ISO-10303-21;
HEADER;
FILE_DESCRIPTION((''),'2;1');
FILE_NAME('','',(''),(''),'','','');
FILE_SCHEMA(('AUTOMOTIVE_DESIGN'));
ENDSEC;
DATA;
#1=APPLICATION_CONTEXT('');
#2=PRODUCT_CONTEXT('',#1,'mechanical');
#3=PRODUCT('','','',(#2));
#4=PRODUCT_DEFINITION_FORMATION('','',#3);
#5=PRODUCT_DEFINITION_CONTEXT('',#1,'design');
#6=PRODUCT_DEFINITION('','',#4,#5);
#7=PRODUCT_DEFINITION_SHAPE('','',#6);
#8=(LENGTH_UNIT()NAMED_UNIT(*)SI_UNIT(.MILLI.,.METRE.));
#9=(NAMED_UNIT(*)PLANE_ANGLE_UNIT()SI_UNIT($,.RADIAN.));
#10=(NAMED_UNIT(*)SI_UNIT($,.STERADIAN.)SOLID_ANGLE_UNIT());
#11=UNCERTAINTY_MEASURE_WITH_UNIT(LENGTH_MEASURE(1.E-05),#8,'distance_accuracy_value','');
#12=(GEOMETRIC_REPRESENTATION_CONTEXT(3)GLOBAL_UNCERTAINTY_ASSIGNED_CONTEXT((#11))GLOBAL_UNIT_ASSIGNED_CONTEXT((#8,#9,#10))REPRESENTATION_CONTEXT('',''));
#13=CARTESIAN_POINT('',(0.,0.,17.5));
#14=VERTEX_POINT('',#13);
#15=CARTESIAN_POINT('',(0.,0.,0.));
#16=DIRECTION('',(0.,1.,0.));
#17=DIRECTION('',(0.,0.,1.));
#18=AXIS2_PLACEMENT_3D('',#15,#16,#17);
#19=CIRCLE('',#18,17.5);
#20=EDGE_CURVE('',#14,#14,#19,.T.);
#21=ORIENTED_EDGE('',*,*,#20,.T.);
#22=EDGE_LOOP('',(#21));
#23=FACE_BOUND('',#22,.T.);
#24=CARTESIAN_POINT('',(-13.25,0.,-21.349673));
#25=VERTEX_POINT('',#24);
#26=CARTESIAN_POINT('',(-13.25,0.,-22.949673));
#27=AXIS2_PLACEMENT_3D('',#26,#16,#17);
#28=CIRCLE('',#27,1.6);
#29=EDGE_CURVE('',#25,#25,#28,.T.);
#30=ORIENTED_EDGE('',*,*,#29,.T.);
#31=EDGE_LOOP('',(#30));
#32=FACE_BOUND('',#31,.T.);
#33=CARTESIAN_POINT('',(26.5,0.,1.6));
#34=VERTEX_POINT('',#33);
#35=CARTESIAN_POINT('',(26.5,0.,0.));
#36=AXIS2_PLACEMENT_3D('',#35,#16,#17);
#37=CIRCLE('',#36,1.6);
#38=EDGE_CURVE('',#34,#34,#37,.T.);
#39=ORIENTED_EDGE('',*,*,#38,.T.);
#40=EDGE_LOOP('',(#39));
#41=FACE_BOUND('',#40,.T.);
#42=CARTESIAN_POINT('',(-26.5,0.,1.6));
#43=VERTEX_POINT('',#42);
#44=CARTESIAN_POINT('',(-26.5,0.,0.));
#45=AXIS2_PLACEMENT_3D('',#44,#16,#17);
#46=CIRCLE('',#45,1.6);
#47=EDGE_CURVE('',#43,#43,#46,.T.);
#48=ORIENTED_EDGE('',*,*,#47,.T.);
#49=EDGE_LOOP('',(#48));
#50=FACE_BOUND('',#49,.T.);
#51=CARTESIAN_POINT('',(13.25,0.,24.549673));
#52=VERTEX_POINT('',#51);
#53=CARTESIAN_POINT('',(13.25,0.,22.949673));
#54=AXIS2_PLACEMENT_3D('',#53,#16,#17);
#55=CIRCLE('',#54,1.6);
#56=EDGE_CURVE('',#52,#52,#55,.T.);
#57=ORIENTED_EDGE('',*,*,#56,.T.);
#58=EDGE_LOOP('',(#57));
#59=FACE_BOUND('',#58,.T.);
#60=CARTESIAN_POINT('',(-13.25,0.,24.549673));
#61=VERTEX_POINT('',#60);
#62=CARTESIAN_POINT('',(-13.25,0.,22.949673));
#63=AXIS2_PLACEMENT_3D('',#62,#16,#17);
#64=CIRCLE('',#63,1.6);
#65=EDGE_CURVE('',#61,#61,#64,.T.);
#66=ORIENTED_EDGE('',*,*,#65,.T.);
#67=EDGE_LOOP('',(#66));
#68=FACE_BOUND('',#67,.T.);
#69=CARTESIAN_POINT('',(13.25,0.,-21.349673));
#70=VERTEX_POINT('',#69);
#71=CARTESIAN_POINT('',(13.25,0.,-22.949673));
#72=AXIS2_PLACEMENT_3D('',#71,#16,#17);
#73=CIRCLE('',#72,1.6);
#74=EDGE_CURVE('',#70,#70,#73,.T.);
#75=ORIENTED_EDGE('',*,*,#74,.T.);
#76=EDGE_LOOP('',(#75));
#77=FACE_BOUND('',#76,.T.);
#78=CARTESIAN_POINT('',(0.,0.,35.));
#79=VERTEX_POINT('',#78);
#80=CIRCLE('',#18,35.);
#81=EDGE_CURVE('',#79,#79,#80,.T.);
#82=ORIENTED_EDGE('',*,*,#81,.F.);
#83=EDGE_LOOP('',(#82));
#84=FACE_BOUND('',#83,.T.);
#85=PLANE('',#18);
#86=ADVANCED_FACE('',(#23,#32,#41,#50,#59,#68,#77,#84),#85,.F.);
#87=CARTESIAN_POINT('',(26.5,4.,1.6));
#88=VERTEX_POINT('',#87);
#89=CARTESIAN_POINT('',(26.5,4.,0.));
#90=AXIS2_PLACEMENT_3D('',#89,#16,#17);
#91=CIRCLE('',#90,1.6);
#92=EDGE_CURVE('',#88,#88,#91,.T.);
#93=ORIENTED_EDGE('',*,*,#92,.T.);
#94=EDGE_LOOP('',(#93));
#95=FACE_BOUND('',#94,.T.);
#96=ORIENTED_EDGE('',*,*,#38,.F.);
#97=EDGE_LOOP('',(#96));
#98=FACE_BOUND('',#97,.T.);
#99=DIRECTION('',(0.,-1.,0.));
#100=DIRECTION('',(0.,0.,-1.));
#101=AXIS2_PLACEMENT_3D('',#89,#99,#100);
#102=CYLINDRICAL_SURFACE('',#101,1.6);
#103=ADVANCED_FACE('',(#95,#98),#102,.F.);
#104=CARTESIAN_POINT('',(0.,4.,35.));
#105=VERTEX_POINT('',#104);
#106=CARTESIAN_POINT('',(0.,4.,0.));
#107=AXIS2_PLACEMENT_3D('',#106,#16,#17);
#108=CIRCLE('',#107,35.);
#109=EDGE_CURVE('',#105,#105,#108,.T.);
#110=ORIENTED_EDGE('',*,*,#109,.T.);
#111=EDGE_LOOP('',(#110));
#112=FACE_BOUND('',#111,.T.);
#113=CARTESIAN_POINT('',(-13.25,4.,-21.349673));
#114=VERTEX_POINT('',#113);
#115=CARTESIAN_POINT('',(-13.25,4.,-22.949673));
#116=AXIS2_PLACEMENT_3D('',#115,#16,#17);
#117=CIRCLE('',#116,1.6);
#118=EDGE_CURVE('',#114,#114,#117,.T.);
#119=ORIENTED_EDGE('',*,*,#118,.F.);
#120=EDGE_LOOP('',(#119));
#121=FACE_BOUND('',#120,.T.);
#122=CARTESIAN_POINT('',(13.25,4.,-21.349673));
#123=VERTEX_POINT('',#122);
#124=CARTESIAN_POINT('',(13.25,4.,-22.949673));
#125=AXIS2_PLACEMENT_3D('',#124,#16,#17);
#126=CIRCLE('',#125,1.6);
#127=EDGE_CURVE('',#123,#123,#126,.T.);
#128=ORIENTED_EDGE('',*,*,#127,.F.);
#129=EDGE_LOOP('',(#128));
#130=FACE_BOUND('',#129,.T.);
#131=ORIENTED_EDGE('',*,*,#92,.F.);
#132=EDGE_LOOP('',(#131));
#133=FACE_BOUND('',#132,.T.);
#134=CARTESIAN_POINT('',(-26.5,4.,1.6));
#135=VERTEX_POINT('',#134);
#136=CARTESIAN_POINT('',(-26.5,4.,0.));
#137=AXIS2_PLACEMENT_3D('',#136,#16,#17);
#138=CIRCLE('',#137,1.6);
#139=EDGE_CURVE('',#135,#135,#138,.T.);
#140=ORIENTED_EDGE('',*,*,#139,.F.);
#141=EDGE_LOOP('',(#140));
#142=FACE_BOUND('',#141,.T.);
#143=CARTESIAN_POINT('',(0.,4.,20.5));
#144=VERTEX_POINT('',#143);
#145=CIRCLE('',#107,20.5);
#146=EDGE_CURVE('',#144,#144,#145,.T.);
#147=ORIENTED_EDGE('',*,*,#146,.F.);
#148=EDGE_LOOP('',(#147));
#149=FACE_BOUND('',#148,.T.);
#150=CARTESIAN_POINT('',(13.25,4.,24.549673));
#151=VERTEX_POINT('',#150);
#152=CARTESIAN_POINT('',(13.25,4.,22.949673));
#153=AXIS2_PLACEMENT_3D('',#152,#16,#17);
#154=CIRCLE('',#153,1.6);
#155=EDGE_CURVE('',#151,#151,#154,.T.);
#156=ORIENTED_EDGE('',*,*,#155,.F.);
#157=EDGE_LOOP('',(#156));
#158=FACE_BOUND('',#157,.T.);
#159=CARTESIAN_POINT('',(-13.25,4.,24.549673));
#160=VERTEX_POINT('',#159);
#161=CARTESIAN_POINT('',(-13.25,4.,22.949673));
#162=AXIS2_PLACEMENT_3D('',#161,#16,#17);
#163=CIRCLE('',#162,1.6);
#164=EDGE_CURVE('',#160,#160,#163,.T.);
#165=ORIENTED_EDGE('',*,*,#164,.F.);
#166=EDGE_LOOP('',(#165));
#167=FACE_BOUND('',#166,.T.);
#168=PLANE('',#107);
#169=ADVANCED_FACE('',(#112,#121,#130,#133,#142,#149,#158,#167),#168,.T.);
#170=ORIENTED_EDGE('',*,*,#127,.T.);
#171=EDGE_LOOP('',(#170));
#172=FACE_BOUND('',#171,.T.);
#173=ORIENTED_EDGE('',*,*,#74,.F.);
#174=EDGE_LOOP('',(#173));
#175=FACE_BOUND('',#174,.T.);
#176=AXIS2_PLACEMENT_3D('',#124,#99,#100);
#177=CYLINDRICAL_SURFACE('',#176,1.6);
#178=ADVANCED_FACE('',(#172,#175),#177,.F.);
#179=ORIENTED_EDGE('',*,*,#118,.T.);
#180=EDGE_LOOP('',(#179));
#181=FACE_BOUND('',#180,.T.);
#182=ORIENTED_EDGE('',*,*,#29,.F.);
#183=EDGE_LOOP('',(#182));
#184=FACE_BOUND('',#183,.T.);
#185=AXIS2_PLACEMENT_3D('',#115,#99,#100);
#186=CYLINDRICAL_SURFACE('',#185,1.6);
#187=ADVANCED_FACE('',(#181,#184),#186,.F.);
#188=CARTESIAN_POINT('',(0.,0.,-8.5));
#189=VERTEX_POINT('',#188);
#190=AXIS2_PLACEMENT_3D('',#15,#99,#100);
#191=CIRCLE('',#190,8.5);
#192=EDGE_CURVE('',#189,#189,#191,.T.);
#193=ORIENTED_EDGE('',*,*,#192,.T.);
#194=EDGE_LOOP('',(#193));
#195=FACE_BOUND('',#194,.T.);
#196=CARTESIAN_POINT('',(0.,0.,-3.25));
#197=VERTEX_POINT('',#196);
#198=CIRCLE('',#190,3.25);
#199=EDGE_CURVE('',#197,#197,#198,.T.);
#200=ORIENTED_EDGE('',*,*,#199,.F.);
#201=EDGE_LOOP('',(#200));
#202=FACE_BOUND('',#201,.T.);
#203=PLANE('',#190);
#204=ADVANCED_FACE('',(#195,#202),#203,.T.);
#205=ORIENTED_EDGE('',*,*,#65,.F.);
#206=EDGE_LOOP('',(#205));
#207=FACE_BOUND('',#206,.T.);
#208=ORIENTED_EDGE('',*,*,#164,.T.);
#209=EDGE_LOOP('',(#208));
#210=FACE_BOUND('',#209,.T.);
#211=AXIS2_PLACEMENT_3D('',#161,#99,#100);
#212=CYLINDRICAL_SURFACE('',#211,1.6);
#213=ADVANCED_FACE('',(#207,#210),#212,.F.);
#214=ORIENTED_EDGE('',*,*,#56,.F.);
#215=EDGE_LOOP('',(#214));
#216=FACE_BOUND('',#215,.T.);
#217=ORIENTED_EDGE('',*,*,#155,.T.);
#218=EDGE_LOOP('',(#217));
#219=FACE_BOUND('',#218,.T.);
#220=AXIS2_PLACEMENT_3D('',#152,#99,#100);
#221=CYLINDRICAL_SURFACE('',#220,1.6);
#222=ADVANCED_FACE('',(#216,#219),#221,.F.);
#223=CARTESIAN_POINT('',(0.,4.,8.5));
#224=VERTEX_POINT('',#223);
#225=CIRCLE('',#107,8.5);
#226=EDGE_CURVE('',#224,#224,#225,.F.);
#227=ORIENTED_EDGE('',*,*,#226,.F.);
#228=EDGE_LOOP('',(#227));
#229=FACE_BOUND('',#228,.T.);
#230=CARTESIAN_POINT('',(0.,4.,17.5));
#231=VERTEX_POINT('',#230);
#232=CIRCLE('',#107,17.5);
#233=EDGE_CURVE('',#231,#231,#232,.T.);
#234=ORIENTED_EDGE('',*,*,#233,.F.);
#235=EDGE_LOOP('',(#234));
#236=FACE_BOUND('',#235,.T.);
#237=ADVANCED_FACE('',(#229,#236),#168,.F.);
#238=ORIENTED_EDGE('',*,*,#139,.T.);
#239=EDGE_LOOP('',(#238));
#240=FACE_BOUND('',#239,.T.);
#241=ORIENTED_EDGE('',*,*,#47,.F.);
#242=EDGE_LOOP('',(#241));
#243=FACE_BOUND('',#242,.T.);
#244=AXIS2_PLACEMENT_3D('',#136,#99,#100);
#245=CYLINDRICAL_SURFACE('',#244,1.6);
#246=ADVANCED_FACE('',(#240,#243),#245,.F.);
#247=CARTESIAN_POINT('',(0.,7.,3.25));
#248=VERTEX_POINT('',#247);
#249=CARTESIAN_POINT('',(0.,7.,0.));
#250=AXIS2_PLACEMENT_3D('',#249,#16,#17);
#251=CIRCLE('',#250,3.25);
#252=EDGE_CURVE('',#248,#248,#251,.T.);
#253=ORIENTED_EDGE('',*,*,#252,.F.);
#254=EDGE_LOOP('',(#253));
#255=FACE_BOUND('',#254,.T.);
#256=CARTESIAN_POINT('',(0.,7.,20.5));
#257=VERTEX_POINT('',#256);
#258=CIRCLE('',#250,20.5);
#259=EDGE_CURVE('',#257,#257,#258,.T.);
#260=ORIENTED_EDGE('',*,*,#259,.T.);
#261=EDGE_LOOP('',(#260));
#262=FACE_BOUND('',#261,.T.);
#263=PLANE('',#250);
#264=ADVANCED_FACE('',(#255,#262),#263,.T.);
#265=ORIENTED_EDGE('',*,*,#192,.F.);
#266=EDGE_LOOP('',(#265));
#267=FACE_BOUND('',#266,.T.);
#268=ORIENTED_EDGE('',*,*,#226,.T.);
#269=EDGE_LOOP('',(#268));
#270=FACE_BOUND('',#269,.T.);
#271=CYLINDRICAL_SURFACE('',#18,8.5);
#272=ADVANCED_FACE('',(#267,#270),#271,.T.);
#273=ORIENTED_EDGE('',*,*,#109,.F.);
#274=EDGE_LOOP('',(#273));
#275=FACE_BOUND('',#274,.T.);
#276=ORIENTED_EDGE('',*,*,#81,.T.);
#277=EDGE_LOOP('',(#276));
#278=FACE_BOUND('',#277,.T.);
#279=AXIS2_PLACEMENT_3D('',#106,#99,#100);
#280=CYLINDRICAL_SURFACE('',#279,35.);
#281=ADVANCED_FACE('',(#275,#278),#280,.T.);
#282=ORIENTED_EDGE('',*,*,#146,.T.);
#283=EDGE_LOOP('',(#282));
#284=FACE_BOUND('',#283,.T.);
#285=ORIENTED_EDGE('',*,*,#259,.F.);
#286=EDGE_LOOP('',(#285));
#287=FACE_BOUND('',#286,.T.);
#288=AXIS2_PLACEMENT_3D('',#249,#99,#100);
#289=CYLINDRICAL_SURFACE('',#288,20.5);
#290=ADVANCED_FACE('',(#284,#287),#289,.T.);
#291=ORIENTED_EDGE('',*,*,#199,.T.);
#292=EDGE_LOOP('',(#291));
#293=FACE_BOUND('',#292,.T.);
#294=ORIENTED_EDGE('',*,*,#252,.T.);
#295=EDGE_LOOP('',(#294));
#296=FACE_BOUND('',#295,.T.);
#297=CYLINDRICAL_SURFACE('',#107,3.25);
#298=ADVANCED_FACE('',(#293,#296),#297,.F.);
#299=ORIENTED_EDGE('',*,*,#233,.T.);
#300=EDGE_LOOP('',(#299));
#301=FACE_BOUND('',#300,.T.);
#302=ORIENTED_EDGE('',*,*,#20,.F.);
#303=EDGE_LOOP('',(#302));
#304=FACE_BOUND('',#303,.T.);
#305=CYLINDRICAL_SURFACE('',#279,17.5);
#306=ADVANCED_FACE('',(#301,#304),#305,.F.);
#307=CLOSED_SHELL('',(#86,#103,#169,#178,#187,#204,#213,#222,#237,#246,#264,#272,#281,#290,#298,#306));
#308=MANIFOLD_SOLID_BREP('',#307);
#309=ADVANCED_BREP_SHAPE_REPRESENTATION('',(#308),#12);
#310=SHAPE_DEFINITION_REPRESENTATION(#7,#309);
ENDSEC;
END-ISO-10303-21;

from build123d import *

# Parameters (mm, degrees)
SKETCH_1_R      = 35
SKETCH_1_R_2    = 1.6
SKETCH_1_R_3    = 17.5
EXTRUDE_1_DEPTH = 4
SKETCH_2_R      = 20.5
SKETCH_2_R_2    = 17.5
EXTRUDE_2_DEPTH = 3
EXTRUDE_START   = -3
SKETCH_3_R      = 17.5
SKETCH_3_R_2    = 3.25
EXTRUDE_3_DEPTH = 3
EXTRUDE_START_2 = 4
SKETCH_4_R      = 8.5
SKETCH_4_R_2    = 3.25
EXTRUDE_4_DEPTH = 4


with BuildPart() as part:
    # Эскиз1 → Бобышка-Вытянуть1 (new body)
    with BuildSketch(Plane(origin=(0, 0, 0), x_dir=(1, 0, 0), z_dir=(0, 1, 0))):
        with Locations(Location((0, 0, 0), (0, 0, 270))):
            Circle(SKETCH_1_R)
        with Locations(Location((-13.25, -22.9496732, 0), (0, 0, 270))):
            Circle(SKETCH_1_R_2, mode=Mode.SUBTRACT)
        with Locations(Location((13.25, -22.9496732, 0), (0, 0, 270))):
            Circle(SKETCH_1_R_2, mode=Mode.SUBTRACT)
        with Locations(Location((26.5, 0, 0), (0, 0, 270))):
            Circle(SKETCH_1_R_2, mode=Mode.SUBTRACT)
        with Locations(Location((13.25, 22.9496732, 0), (0, 0, 270))):
            Circle(SKETCH_1_R_2, mode=Mode.SUBTRACT)
        with Locations(Location((-13.25, 22.9496732, 0), (0, 0, 270))):
            Circle(SKETCH_1_R_2, mode=Mode.SUBTRACT)
        with Locations(Location((-26.5, 0, 0), (0, 0, 270))):
            Circle(SKETCH_1_R_2, mode=Mode.SUBTRACT)
        with Locations(Location((0, 0, 0), (0, 0, 270))):
            Circle(SKETCH_1_R_3, mode=Mode.SUBTRACT)
    extrude(amount=EXTRUDE_1_DEPTH)

    # Эскиз2 → Бобышка-Вытянуть2 (add)
    with BuildSketch(Plane(origin=(0, 4, 0), x_dir=(1, 0, 0), z_dir=(0, 1, 0))):
        with Locations(Location((0, 0, 0), (0, 0, 270))):
            Circle(SKETCH_2_R)
        with Locations(Location((0, 0, 0), (0, 0, 270))):
            Circle(SKETCH_2_R_2, mode=Mode.SUBTRACT)
    extrude(amount=EXTRUDE_2_DEPTH)

    # Эскиз3 → Бобышка-Вытянуть3 (add)
    with BuildSketch(Plane(origin=(0, 7, 0), x_dir=(1, 0, 0), z_dir=(0, 1, 0)).offset(EXTRUDE_START)):
        with Locations(Location((0, 0, 0), (0, 0, 270))):
            Circle(SKETCH_3_R)
        with Locations(Location((0, 0, 0), (0, 0, 270))):
            Circle(SKETCH_3_R_2, mode=Mode.SUBTRACT)
    extrude(amount=EXTRUDE_3_DEPTH)

    # Эскиз4 → Бобышка-Вытянуть4 (add)
    with BuildSketch(Plane.XZ.offset(-4).offset(EXTRUDE_START_2)):
        with Locations(Location((0, 0, 0), (0, 0, 90))):
            Circle(SKETCH_4_R)
        with Locations(Location((0, 0, 0), (0, 0, 90))):
            Circle(SKETCH_4_R_2, mode=Mode.SUBTRACT)
    extrude(amount=-EXTRUDE_4_DEPTH)


solid = part.part
